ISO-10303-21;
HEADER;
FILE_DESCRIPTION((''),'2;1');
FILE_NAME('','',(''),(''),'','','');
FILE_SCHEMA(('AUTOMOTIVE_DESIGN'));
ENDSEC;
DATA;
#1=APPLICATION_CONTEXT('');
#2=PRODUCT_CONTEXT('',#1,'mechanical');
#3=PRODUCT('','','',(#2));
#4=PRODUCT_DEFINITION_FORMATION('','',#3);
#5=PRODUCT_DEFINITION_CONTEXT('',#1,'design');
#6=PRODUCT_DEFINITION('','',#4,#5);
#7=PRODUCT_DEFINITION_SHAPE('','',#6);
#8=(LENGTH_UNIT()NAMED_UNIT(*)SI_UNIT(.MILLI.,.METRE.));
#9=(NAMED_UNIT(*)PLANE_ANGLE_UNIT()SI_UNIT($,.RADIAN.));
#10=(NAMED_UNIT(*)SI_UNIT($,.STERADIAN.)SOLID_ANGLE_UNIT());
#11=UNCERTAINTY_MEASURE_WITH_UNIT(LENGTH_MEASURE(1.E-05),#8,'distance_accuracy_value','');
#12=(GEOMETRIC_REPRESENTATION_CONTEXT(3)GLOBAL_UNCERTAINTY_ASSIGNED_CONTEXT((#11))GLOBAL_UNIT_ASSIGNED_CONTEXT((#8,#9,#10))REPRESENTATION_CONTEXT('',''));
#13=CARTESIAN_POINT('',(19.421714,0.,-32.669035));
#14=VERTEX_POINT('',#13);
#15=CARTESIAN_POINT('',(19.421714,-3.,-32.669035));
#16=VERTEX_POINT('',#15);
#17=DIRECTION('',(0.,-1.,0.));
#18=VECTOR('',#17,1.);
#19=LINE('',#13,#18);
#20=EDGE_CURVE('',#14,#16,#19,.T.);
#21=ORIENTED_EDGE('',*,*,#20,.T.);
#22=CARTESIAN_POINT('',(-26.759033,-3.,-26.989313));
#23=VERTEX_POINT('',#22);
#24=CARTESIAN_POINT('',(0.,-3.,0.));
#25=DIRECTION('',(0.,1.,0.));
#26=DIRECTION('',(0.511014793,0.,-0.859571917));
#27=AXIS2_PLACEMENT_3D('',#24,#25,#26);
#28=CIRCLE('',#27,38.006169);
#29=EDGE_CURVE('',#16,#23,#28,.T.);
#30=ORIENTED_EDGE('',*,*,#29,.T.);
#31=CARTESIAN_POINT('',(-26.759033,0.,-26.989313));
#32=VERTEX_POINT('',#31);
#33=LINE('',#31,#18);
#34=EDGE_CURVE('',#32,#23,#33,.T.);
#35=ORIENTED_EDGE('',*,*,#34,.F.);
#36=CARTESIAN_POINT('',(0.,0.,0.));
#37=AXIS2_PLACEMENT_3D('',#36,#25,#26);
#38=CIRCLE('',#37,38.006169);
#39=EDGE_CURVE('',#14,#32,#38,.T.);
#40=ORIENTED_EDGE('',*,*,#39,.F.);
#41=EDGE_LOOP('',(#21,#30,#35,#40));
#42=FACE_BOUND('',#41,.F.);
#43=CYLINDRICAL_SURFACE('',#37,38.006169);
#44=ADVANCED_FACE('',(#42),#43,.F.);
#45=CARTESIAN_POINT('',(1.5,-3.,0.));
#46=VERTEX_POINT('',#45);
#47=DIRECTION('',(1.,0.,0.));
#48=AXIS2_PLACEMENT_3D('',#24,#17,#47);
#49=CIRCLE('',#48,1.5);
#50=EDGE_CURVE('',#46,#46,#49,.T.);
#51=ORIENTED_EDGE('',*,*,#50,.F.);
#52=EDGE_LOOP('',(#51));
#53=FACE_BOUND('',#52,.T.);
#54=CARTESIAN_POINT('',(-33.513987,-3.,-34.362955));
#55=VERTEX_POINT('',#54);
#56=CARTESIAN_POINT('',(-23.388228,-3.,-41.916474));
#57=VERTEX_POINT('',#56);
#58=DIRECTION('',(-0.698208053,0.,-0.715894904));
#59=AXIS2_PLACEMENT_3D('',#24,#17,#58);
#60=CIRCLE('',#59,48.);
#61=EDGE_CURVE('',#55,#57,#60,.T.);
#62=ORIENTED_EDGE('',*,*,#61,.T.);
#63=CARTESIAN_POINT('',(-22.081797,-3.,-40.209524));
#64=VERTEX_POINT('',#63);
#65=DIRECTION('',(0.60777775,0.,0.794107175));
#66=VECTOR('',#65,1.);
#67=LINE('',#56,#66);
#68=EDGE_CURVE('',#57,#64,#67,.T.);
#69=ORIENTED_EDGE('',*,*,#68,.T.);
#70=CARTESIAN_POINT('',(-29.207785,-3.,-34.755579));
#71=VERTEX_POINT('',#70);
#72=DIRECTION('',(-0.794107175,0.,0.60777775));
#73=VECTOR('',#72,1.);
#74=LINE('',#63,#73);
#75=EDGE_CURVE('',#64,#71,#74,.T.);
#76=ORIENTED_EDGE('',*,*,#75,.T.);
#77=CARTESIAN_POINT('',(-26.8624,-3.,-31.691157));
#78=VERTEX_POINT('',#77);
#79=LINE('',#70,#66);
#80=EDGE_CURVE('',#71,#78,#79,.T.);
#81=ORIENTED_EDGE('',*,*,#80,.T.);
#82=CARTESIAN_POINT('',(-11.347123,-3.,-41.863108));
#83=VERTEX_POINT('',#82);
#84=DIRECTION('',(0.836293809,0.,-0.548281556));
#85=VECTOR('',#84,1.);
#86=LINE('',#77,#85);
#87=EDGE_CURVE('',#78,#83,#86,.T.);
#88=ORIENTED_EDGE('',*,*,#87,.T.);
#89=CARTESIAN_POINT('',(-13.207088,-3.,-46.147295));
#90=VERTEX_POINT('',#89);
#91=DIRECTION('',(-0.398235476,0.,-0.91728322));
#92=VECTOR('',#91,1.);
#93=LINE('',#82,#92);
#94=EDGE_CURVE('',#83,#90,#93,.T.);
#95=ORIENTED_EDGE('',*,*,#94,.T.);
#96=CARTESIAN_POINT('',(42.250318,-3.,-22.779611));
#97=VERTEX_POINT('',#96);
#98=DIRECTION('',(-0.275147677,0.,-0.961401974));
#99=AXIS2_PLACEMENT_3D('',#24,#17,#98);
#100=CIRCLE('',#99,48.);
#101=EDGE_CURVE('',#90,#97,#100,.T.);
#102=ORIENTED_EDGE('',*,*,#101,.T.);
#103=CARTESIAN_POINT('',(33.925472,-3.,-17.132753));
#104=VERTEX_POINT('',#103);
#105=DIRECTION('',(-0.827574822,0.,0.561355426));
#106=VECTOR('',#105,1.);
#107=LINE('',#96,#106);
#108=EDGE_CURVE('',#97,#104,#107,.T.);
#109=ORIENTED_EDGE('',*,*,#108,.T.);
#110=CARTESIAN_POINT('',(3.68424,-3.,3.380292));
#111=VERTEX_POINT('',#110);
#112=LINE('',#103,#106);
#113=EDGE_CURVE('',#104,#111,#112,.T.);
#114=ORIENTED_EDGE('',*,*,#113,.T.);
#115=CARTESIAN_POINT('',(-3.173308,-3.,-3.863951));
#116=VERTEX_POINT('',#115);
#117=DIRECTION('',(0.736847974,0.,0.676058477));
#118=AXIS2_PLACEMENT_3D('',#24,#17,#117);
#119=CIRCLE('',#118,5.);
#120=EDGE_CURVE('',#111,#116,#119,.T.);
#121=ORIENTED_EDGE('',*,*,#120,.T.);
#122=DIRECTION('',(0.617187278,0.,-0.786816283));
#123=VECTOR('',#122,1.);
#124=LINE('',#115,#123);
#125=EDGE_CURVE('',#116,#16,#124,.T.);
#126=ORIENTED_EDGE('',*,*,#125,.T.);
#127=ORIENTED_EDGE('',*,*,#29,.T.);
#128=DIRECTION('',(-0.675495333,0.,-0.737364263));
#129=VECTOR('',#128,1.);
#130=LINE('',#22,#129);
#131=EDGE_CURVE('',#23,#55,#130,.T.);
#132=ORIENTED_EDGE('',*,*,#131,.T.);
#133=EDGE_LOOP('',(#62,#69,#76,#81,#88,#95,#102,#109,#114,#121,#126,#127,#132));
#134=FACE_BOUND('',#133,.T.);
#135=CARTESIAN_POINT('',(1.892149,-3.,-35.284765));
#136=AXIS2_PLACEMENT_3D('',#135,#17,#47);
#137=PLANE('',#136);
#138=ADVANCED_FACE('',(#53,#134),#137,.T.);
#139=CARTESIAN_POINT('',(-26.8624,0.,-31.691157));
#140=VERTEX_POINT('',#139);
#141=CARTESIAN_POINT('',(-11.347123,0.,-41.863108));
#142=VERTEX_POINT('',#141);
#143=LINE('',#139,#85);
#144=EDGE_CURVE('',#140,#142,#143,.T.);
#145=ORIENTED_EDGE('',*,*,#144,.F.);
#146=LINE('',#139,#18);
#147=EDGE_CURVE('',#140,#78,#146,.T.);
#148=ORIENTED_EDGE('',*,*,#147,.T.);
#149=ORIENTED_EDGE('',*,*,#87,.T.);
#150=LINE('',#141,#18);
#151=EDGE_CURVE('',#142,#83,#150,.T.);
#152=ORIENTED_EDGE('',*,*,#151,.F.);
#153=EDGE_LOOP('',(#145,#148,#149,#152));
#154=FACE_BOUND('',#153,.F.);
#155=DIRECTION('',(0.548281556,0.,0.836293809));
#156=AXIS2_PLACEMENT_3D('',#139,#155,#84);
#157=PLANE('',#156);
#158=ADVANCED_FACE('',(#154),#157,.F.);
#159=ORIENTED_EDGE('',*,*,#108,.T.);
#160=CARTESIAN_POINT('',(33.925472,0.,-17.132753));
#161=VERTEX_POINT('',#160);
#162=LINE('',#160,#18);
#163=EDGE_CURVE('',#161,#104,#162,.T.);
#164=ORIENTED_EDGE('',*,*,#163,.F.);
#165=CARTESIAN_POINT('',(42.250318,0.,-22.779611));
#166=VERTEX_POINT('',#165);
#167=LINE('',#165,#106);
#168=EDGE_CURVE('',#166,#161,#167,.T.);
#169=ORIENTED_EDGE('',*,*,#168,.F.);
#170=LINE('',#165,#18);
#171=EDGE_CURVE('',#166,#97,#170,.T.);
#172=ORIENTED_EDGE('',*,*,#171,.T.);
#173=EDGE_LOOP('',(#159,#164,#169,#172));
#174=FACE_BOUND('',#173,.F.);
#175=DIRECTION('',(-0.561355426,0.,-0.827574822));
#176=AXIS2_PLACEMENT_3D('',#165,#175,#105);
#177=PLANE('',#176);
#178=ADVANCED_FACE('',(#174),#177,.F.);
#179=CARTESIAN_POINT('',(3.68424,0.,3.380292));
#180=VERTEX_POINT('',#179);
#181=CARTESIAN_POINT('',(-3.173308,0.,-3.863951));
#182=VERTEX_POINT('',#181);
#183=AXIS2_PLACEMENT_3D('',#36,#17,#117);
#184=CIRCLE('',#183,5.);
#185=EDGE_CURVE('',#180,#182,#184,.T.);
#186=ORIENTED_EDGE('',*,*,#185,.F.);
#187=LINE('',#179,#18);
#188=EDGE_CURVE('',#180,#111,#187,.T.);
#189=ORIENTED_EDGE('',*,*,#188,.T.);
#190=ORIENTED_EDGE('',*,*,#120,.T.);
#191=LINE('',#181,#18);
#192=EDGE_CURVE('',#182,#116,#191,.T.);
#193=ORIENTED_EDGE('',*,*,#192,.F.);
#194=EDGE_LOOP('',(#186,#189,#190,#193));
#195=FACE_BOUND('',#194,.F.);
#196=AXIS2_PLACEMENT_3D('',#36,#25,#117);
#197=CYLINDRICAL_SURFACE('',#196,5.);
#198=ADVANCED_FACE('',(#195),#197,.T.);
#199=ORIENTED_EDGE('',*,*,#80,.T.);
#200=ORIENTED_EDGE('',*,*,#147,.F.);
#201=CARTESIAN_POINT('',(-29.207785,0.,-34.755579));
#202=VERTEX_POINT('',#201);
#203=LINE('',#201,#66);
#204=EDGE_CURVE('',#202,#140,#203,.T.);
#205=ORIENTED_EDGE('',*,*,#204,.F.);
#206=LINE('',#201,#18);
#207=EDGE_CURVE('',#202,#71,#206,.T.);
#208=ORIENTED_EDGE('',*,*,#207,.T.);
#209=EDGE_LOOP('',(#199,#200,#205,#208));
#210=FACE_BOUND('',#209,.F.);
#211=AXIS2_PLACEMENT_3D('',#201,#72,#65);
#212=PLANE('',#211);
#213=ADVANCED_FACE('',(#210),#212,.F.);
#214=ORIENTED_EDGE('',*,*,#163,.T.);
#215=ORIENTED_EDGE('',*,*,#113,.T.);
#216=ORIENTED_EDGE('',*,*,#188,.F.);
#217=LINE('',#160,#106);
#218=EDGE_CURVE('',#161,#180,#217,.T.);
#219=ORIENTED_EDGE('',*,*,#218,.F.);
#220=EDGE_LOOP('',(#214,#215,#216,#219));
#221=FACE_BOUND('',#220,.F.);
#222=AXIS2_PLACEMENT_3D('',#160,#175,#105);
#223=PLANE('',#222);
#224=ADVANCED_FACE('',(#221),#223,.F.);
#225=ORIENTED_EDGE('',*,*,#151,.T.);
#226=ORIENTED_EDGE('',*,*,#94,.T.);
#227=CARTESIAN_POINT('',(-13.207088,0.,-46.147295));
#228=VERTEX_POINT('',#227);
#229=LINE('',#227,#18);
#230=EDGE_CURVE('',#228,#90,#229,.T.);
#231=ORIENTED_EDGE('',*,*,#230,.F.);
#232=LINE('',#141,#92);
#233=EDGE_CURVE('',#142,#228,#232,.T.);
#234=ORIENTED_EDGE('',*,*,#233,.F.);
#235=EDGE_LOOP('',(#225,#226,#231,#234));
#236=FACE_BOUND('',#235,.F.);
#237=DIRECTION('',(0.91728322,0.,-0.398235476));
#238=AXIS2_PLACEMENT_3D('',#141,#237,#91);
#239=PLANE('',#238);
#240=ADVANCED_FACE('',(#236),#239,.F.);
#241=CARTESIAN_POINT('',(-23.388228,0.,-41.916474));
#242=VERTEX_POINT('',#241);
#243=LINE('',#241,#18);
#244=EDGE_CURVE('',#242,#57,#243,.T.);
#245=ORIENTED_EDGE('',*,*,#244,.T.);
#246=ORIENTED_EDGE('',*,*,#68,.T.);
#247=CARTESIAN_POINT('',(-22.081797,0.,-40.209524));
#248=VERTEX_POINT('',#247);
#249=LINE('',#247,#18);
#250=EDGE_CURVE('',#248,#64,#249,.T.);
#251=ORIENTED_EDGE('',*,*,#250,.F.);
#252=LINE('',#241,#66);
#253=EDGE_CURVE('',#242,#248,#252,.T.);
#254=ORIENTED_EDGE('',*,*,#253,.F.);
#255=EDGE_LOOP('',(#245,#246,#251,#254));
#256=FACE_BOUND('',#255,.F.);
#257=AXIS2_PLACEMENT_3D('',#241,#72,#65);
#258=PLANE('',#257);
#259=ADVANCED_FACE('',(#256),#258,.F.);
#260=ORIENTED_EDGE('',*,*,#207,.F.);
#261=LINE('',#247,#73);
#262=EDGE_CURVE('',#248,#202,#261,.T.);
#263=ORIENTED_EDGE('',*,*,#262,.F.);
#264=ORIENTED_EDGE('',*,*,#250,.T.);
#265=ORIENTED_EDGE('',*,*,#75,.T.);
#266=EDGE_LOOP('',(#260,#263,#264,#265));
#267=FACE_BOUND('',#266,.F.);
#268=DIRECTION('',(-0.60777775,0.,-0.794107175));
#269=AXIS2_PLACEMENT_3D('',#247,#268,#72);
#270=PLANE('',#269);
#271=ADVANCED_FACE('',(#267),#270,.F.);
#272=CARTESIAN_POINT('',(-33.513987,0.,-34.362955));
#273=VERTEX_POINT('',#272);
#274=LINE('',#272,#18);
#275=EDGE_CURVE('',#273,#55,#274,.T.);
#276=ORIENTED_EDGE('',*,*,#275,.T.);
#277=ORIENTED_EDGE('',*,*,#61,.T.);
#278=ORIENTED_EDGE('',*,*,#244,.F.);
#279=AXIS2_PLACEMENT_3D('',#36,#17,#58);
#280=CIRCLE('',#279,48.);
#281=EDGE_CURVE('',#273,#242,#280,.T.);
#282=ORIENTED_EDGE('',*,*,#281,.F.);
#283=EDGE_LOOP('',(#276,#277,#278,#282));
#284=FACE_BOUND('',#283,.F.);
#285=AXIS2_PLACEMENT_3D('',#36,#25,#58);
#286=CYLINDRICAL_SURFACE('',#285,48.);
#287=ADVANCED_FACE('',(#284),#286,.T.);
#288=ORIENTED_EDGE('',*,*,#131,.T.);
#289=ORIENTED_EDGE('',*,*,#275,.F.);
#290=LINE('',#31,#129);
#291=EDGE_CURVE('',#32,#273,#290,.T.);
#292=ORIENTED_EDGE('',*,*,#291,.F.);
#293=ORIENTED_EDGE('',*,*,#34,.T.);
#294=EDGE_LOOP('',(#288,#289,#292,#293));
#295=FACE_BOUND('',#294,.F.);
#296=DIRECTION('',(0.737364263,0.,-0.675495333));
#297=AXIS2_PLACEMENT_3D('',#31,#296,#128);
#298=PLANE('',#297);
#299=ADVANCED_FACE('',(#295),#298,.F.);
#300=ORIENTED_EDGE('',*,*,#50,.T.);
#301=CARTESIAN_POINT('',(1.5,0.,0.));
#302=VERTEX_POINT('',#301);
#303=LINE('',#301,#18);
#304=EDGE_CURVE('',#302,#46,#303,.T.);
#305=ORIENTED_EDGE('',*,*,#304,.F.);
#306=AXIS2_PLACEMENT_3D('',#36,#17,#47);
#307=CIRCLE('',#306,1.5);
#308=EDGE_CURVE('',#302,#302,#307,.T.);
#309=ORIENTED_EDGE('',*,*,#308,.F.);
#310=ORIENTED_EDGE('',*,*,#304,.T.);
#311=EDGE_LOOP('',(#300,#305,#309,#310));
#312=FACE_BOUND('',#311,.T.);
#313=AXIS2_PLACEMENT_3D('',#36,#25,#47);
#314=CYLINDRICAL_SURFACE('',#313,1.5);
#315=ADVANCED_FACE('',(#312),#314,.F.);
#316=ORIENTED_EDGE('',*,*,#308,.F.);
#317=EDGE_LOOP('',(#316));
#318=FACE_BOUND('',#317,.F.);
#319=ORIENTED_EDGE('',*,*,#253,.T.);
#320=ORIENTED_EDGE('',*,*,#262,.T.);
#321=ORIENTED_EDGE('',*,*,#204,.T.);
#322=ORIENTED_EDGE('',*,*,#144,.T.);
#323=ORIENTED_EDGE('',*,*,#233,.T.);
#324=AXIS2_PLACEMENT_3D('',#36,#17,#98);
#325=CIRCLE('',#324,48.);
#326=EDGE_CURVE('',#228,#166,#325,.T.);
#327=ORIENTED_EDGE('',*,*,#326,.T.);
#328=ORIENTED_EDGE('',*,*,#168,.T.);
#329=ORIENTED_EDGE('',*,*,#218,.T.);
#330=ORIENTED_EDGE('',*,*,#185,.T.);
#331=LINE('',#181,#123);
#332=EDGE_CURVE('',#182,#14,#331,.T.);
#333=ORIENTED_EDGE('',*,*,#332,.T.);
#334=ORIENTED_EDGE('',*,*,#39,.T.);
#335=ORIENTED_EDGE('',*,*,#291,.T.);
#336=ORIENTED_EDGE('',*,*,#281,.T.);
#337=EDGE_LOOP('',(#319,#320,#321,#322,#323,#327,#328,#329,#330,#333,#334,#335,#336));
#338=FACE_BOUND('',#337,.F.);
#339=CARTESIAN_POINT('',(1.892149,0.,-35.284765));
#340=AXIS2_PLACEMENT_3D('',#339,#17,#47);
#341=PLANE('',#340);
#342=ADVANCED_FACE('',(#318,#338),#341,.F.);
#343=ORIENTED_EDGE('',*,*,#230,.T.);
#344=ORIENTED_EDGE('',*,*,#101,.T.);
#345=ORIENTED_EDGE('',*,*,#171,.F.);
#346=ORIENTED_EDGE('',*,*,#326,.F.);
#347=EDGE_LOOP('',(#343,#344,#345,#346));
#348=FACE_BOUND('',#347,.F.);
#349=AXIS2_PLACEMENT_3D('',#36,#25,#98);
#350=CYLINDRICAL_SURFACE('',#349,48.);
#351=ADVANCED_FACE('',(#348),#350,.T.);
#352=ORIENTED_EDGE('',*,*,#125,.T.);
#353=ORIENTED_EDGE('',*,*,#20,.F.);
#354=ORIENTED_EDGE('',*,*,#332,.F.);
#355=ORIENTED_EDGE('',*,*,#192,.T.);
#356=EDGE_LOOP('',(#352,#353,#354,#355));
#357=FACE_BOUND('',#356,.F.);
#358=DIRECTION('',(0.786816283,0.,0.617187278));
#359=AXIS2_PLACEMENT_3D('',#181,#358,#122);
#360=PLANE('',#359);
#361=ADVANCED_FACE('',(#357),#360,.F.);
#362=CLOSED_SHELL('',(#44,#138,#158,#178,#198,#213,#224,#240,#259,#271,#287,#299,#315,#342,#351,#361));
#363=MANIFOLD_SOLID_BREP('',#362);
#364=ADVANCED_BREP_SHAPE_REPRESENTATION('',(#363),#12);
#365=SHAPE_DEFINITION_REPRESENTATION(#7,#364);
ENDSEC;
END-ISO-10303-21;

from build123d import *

# Parameters (mm, degrees)
F0_R     = 1.5
F1_DEPTH = 3


with BuildPart() as f1:
    # F0 (on Front) → F1 (new body)
    with BuildSketch(Plane.XZ):
        with BuildLine():
            Line((-26.7590332408, -26.9893127833), (-33.513986566, -34.3629554092))
            ThreePointArc((-33.513986566, -34.3629554092), (-28.7006868675, -38.4742845721), (-23.3882283922, -41.9164737624))
            Line((-23.3882283922, -41.9164737624), (-22.0817974828, -40.2095238804))
            Line((-22.0817974828, -40.2095238804), (-29.2077852351, -34.7555789474))
            Line((-29.2077852351, -34.7555789474), (-26.8623996161, -31.6911568821))
            Line((-26.8623996161, -31.6911568821), (-11.347123086, -41.8631082631))
            Line((-11.347123086, -41.8631082631), (-13.2070884844, -46.1472947611))
            ThreePointArc((-13.2070884844, -46.1472947611), (18.6383866234, -44.2335906758), (42.2503176476, -22.7796105911))
            Line((42.2503176476, -22.7796105911), (33.9254719283, -17.1327528127))
            ThreePointArc((33.9254719283, -17.1327528127), (27.7817312866, -25.9353864674), (19.4217144818, -32.6690353559))
            ThreePointArc((19.4217144818, -32.6690353559), (-4.6393829081, -37.7219430932), (-26.7590332408, -26.9893127833))
        make_face()
        with BuildLine():
            ThreePointArc((19.4217144818, -32.6690353559), (27.7817312866, -25.9353864674), (33.9254719283, -17.1327528127))
            Line((33.9254719283, -17.1327528127), (3.6842398683, 3.3802923827))
            ThreePointArc((3.6842398683, 3.3802923827), (4.6594634531, 1.8136704026), (5, 0))
            ThreePointArc((5, 0), (2.1369907055, -4.5203175469), (-3.1733082899, -3.8639506334))
            Line((-3.1733082899, -3.8639506334), (19.4217144818, -32.6690353559))
        make_face()
        with BuildLine():
            ThreePointArc((5, 0), (4.6594634531, 1.8136704026), (3.6842398683, 3.3802923827))
            ThreePointArc((3.6842398683, 3.3802923827), (-3.6311192474, 3.4372915226), (-3.1733082899, -3.8639506334))
            ThreePointArc((-3.1733082899, -3.8639506334), (2.1369907055, -4.5203175469), (5, 0))
        make_face()
        Circle(F0_R, mode=Mode.SUBTRACT)
    extrude(amount=F1_DEPTH)


solid = f1.part
